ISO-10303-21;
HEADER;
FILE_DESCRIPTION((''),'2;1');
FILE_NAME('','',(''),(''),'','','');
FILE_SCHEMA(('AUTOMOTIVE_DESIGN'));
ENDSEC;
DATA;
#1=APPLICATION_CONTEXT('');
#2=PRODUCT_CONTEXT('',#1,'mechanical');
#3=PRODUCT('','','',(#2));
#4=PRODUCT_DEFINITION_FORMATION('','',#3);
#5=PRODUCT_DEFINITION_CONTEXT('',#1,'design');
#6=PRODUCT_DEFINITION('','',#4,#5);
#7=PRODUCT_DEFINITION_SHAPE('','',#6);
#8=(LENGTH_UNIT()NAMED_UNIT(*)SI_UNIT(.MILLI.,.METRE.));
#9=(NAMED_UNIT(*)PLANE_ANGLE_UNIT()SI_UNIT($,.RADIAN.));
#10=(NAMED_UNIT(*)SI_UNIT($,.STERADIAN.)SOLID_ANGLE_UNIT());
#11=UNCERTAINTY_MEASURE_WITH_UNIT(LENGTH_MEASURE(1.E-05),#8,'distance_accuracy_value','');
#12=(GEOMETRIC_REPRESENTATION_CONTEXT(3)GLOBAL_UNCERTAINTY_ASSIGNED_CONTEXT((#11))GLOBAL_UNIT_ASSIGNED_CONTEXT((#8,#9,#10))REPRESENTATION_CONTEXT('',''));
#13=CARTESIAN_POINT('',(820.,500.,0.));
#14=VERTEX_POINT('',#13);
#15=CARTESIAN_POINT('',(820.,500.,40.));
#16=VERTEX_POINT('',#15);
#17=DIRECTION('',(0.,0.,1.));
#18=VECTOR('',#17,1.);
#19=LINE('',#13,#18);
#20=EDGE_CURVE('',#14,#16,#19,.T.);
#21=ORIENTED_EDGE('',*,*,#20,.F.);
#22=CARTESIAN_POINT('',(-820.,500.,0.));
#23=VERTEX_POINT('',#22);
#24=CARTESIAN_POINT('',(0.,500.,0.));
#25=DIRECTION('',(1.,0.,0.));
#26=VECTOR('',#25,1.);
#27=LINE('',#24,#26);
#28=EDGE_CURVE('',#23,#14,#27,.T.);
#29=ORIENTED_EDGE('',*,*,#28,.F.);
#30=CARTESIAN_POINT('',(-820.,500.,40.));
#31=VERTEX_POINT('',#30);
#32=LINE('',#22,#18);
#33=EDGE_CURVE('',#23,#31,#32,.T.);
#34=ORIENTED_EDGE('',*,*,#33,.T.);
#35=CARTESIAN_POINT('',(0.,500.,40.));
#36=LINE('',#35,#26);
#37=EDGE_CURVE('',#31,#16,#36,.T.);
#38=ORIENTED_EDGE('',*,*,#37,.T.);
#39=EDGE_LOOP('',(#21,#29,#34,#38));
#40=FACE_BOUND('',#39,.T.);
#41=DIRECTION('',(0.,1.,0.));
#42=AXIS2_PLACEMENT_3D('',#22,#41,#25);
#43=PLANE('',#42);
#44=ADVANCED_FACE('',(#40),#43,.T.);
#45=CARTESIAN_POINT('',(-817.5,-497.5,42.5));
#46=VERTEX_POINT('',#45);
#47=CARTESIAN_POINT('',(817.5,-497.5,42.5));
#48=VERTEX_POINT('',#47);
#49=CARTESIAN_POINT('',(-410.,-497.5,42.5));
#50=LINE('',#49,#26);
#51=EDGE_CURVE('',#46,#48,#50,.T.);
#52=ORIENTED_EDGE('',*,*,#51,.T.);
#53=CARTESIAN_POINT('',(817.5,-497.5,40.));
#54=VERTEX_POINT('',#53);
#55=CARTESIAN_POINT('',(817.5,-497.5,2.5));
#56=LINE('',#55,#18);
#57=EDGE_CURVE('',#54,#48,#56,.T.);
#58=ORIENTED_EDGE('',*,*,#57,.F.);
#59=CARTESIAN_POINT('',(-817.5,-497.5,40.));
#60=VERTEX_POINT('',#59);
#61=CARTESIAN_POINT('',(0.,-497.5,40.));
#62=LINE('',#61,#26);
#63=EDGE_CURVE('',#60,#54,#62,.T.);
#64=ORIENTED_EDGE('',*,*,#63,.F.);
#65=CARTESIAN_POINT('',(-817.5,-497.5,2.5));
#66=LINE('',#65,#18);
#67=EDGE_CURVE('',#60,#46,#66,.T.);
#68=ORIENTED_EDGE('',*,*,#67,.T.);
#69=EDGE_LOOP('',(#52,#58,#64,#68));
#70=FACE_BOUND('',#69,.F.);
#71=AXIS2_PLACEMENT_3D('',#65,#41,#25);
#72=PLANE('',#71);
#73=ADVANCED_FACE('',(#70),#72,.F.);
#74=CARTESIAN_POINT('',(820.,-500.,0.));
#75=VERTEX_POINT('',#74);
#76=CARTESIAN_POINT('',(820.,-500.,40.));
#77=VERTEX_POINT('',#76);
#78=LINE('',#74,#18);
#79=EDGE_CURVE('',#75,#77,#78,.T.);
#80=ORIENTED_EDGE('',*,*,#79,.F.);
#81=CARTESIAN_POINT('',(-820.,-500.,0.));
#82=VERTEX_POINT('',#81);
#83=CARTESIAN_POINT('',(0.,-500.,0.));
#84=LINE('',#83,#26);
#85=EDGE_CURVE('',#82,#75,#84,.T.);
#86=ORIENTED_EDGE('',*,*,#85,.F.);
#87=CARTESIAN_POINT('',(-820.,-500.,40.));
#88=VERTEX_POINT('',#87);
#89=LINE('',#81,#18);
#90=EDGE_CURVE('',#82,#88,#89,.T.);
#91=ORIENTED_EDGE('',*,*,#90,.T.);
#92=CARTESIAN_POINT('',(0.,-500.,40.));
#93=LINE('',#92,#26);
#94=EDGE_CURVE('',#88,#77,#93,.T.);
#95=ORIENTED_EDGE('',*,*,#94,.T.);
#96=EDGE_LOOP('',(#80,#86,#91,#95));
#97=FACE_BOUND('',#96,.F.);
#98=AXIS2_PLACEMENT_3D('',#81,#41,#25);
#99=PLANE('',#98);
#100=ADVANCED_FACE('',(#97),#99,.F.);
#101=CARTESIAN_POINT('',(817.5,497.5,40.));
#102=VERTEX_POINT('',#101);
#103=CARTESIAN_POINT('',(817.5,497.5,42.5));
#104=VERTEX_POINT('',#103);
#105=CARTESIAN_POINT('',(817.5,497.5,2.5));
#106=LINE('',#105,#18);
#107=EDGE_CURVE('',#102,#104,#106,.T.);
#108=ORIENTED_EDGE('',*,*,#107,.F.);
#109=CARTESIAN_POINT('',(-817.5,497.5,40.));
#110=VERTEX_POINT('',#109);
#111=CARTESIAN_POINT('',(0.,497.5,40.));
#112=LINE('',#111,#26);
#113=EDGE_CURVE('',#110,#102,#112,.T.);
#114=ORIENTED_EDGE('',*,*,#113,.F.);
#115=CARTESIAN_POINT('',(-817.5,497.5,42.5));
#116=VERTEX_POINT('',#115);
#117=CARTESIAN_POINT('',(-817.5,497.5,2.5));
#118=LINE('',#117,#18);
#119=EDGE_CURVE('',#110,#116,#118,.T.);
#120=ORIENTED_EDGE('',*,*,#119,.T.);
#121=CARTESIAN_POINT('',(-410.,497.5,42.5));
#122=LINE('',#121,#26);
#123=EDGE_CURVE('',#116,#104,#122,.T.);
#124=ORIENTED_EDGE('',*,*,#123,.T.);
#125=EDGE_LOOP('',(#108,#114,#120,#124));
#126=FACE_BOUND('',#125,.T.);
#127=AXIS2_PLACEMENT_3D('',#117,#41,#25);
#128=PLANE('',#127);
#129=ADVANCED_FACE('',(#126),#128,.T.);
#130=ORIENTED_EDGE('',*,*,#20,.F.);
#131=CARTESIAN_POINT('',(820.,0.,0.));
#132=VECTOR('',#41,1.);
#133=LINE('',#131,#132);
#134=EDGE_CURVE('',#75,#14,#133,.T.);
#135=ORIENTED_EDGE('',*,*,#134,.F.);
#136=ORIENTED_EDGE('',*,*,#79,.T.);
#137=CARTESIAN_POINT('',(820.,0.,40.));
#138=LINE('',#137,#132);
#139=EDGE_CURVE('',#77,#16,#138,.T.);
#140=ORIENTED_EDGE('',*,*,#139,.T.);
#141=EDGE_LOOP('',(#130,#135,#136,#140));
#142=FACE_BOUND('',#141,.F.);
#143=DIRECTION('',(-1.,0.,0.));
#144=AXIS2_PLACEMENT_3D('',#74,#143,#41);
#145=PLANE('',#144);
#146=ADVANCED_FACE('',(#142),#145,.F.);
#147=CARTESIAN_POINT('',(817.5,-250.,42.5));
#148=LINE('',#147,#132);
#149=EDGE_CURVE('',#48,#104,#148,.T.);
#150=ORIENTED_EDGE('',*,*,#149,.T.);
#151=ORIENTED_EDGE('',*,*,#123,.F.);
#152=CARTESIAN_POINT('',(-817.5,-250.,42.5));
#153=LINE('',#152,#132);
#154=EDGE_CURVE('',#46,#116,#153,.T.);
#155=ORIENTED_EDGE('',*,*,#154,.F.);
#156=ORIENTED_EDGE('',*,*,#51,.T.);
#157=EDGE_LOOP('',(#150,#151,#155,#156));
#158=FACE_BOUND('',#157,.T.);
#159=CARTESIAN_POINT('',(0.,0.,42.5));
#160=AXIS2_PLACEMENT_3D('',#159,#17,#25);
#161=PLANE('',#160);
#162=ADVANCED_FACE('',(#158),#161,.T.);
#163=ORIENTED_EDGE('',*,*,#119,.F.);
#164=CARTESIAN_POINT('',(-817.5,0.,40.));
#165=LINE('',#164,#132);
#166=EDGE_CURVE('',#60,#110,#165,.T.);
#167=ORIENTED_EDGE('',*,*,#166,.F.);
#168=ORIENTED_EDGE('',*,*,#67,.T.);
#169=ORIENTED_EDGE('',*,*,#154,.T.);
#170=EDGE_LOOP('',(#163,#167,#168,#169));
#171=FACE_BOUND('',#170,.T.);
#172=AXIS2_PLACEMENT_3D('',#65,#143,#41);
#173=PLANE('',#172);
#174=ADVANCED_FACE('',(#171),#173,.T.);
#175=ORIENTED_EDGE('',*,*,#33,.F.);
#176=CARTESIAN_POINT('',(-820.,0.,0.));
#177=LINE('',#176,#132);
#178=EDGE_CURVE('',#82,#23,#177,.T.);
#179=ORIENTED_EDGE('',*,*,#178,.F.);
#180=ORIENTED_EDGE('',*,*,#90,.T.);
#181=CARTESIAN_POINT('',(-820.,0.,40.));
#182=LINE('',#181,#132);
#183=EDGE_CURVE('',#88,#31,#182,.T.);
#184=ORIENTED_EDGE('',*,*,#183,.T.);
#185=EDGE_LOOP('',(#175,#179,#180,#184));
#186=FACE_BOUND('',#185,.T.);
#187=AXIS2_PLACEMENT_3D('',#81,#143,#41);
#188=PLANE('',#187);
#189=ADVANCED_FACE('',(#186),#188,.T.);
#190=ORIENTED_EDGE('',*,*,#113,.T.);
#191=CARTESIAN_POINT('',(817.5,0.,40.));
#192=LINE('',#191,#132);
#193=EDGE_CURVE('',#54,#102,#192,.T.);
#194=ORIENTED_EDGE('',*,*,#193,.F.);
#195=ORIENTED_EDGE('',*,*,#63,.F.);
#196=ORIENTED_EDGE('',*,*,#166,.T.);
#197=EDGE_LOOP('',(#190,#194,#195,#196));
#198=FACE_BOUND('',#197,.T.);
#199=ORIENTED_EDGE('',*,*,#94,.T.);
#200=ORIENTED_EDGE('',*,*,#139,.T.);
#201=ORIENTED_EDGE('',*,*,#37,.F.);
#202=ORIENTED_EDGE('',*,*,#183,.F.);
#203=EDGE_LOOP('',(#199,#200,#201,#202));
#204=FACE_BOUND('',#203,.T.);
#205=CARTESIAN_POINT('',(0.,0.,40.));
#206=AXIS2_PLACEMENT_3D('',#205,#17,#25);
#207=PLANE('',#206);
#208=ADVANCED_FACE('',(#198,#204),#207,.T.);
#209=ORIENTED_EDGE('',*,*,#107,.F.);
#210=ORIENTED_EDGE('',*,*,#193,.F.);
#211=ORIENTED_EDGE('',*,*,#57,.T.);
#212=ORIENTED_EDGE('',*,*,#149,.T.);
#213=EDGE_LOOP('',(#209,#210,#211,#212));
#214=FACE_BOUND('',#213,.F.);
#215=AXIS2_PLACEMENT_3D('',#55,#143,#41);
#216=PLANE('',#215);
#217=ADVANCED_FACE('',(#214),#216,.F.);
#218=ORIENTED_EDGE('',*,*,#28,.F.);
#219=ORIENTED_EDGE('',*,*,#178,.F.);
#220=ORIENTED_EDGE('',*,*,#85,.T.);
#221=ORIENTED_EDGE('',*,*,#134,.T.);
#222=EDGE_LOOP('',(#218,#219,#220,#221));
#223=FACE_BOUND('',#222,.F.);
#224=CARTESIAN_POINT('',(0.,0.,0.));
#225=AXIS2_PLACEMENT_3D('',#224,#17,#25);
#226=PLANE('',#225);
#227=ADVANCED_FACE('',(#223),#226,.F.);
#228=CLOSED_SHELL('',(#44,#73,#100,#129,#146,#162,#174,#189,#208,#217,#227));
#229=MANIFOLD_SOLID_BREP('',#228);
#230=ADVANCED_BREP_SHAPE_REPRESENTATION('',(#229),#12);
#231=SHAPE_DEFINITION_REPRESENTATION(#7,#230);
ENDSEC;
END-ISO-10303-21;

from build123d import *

# Parameters (mm, degrees)
F0_W     = 1640
F0_H     = 1000
F1_DEPTH = 40
F2_T     = -2.5
F3_DEPTH = 40


with BuildPart() as f1:
    # F0 (on Top) → F1 (new body)
    with BuildSketch(Plane.XY):
        Rectangle(F0_W, F0_H)
    extrude(amount=F1_DEPTH)

    # F2
    f2_openings = [f1.faces().sort_by_distance(p)[0] for p in [
        (0, 0, 40),
    ]]
    offset(amount=F2_T, openings=f2_openings)

    # F3 (add): a face of the model
    f3_faces = [f1.faces().sort_by_distance(p)[0] for p in [
        (0, 0, 2.5),
    ]]
    extrude(f3_faces, amount=F3_DEPTH)


solid = f1.part
